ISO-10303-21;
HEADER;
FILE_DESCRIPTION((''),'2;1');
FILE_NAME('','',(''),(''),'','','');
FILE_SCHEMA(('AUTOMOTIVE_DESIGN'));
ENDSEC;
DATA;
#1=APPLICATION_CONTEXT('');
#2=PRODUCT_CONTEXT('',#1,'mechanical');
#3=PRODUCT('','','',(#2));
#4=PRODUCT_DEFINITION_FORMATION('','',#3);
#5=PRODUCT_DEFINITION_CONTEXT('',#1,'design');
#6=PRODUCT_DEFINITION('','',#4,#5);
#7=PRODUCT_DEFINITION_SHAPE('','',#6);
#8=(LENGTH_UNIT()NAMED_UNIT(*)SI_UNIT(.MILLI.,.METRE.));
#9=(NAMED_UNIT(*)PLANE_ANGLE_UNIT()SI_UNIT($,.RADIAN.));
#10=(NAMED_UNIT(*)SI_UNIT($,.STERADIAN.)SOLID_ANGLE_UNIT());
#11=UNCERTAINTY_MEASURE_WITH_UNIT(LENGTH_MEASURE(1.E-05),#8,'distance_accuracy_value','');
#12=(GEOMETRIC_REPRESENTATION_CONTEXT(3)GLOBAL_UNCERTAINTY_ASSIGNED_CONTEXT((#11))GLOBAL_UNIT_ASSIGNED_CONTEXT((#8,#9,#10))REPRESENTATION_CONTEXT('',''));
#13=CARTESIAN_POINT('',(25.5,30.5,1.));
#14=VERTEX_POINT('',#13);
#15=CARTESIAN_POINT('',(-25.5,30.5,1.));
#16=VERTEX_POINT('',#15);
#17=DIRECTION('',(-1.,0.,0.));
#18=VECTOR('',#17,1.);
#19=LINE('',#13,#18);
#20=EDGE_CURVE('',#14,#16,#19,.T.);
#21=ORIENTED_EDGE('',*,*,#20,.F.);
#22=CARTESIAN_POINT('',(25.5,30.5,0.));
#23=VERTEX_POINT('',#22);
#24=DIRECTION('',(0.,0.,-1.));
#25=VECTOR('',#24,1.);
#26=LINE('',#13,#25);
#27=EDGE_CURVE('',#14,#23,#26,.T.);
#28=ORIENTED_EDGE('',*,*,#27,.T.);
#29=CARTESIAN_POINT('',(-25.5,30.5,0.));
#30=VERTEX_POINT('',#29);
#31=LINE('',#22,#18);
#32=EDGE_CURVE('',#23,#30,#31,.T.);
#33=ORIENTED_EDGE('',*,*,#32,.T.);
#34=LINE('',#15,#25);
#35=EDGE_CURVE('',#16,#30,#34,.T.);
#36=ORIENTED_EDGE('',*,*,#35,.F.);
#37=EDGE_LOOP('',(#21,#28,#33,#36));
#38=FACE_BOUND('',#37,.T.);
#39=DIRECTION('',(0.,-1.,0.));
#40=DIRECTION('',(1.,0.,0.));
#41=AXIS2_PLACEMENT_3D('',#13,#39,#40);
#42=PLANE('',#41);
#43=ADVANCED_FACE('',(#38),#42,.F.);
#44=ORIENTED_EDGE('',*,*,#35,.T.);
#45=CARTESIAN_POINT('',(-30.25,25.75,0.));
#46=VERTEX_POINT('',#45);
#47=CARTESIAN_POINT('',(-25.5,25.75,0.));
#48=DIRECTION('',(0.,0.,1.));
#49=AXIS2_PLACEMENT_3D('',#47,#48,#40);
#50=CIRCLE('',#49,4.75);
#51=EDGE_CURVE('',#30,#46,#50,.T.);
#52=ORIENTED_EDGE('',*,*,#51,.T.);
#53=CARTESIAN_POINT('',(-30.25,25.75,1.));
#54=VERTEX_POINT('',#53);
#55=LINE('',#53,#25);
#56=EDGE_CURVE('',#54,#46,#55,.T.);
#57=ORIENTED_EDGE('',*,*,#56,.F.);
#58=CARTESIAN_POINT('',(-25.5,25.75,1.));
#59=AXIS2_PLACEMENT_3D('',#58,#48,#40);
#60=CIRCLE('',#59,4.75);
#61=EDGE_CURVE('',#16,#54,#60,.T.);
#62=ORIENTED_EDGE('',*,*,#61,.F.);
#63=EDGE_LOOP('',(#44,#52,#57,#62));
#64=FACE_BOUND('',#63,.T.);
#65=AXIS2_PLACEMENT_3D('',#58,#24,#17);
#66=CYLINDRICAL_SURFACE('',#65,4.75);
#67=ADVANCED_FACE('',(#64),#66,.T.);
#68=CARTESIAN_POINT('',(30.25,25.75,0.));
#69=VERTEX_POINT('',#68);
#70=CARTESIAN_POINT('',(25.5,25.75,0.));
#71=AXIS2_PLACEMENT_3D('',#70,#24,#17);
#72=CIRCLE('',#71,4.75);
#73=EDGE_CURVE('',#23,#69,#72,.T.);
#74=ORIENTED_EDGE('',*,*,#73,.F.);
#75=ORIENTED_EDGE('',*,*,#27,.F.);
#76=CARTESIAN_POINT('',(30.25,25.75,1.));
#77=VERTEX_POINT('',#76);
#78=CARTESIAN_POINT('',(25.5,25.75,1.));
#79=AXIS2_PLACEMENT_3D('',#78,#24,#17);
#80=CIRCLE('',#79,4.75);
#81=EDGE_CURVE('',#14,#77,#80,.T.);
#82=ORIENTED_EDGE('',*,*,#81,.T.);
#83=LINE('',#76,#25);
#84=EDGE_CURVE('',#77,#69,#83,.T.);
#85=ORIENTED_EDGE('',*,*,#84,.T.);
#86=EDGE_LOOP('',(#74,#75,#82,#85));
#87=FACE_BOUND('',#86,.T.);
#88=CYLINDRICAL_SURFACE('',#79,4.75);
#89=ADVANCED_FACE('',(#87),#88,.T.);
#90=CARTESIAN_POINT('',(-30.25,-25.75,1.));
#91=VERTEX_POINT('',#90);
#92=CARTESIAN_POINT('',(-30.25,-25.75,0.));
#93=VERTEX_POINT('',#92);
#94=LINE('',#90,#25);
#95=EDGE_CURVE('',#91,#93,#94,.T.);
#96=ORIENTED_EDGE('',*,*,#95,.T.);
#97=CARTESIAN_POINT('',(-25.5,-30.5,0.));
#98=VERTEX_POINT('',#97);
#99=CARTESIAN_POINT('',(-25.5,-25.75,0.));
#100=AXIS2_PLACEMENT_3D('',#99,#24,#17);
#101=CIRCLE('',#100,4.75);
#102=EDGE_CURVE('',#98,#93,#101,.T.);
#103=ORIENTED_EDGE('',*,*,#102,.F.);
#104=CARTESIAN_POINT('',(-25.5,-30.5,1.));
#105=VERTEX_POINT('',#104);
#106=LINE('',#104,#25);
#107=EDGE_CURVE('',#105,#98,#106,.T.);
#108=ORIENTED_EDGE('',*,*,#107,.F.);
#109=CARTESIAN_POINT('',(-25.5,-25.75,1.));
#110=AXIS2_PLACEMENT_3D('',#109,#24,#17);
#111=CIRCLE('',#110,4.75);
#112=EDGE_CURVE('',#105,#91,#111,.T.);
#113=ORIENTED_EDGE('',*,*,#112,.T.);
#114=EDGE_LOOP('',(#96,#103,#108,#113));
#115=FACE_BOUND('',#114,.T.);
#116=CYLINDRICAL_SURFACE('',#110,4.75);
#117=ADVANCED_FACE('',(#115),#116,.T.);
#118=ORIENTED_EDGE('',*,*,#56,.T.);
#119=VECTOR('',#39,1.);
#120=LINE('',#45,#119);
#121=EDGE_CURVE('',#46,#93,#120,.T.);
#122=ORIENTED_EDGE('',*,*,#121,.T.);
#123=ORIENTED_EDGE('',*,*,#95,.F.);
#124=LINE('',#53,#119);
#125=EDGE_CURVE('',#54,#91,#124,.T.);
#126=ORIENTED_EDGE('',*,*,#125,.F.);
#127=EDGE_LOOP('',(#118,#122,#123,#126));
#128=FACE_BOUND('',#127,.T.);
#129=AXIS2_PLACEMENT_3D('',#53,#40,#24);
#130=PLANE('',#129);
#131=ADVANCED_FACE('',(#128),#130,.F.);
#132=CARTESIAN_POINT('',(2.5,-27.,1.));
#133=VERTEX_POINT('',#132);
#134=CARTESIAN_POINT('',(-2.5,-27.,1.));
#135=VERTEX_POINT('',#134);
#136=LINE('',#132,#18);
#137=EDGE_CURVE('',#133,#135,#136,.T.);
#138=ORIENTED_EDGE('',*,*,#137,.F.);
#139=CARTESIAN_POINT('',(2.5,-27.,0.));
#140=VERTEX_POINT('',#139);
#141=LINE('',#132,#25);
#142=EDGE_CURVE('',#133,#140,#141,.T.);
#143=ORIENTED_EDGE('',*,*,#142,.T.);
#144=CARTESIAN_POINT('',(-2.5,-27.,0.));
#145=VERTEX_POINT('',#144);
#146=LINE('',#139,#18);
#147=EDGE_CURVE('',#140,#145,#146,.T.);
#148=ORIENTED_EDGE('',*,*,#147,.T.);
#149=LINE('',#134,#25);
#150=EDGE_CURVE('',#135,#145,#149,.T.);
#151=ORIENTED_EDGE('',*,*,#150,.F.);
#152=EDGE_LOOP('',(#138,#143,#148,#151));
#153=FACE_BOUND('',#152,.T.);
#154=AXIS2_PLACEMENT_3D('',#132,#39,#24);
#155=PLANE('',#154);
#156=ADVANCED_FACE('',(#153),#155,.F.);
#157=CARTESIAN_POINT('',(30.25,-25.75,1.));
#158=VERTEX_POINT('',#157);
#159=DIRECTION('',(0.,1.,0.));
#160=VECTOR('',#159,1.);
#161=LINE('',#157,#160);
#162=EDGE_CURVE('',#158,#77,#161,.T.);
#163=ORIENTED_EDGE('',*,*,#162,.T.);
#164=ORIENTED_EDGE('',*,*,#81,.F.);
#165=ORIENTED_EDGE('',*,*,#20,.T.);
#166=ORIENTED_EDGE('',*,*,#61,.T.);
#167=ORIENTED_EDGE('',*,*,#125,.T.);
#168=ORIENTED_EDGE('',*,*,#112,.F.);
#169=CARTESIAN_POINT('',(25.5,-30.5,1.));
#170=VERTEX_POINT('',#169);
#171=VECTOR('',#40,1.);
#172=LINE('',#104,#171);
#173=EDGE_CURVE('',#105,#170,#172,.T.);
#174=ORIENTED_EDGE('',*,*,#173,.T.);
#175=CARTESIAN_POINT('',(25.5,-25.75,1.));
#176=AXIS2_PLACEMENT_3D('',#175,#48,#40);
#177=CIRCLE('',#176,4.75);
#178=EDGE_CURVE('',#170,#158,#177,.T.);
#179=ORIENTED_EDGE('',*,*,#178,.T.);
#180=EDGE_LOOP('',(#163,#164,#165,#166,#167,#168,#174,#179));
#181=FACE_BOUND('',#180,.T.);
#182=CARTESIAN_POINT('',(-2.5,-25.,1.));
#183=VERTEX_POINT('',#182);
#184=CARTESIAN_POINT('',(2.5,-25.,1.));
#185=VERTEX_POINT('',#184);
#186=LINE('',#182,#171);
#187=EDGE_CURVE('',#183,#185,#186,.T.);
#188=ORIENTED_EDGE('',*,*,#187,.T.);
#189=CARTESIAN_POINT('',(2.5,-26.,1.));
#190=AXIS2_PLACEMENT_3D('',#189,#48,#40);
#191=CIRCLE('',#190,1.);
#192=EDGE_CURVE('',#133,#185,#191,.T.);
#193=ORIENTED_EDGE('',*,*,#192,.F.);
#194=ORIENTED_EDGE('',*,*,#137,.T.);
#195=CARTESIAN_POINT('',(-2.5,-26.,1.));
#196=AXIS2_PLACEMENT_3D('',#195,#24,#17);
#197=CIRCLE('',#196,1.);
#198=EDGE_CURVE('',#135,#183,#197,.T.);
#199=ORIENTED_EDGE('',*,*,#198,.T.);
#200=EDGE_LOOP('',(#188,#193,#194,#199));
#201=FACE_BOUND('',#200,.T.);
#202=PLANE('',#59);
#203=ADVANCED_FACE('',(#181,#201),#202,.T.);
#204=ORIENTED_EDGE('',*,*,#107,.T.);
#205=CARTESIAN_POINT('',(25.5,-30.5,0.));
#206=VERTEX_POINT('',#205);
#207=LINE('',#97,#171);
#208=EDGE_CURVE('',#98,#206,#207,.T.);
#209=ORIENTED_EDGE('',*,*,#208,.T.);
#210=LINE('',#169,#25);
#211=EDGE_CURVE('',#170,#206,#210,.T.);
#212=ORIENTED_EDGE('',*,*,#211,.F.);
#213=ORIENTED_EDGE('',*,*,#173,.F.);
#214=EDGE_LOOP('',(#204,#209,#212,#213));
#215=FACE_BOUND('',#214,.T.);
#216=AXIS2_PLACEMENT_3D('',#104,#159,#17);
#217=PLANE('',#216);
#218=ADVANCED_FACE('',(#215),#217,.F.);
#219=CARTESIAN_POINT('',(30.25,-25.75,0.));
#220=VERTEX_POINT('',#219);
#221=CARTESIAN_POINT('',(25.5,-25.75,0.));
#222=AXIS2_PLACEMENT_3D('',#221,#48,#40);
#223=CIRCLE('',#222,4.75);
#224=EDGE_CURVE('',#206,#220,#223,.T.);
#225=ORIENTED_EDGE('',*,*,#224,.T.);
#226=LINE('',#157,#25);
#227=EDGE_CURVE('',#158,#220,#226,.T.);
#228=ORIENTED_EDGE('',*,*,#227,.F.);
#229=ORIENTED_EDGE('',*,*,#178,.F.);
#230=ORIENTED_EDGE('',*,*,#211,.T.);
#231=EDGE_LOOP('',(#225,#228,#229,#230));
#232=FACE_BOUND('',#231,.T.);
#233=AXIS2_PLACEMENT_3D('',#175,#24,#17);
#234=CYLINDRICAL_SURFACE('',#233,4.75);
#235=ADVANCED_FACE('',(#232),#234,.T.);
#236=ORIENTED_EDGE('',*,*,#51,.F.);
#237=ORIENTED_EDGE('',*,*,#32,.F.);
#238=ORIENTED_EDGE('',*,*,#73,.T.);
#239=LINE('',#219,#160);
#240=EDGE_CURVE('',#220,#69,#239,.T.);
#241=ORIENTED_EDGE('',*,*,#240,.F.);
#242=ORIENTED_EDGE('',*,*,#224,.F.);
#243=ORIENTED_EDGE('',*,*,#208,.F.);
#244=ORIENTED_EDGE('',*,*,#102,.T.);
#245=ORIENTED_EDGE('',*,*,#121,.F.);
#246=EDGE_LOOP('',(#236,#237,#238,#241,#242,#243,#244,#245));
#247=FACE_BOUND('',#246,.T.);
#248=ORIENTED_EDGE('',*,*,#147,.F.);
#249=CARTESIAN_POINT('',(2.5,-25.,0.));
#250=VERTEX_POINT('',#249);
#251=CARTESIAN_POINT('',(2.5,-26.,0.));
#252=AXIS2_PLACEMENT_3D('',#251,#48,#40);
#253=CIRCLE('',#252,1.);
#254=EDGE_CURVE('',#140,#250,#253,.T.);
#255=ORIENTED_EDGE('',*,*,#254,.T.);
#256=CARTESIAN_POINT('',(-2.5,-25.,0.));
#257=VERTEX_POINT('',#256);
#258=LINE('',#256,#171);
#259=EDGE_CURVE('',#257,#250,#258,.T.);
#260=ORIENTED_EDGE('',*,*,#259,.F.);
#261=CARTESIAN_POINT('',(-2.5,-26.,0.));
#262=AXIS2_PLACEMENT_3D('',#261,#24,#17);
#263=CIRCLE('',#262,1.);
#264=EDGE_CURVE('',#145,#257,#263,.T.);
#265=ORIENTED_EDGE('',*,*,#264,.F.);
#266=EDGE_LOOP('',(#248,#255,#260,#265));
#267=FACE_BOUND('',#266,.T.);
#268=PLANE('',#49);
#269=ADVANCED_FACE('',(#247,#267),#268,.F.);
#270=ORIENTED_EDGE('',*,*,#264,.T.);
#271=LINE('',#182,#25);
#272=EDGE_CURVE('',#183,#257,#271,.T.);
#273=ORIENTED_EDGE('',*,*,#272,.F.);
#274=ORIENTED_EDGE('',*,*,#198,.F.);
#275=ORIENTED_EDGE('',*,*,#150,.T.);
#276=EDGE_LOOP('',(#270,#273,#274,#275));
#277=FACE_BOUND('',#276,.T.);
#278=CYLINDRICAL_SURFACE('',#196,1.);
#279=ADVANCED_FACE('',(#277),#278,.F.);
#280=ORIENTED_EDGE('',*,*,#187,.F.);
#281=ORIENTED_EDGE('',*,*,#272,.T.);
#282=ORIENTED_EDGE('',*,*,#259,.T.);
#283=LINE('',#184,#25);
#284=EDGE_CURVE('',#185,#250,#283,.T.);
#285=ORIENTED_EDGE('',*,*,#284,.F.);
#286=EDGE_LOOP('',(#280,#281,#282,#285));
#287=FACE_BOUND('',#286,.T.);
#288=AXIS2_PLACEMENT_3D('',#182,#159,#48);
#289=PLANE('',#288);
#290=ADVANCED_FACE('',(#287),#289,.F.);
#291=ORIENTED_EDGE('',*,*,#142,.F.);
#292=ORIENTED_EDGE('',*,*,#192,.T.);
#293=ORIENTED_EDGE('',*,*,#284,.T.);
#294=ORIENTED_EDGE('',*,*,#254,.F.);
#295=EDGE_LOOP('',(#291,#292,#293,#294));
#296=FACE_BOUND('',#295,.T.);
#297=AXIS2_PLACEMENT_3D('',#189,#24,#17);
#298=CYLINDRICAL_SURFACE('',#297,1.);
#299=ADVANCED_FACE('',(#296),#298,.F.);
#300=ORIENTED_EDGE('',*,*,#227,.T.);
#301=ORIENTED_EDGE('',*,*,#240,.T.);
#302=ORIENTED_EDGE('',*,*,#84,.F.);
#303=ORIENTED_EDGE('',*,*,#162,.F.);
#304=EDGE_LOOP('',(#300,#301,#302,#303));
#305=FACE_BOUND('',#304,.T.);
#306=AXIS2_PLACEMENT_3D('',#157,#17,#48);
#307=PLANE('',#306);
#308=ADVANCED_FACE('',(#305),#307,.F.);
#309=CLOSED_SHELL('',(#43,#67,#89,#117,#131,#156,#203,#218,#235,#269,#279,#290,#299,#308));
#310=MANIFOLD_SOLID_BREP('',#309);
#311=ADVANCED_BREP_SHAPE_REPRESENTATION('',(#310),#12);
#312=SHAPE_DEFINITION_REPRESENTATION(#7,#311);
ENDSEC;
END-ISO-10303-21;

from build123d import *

# Parameters (mm, degrees)
EXTRUDE_3_DEPTH = 1


with BuildPart() as part:
    # 草图1 → 凸台-拉伸3 (new body)
    with BuildSketch(Plane.XY):
        with BuildLine():
            Line((-30.25, 25.75), (-30.25, -25.75))
            ThreePointArc((-30.25, -25.75), (-28.858757211, -29.108757211), (-25.5, -30.5))
            Line((-25.5, -30.5), (25.5, -30.5))
            ThreePointArc((25.5, -30.5), (28.858757211, -29.108757211), (30.25, -25.75))
            Line((30.25, -25.75), (30.25, 25.75))
            ThreePointArc((30.25, 25.75), (28.858757211, 29.108757211), (25.5, 30.5))
            Line((25.5, 30.5), (-25.5, 30.5))
            ThreePointArc((-25.5, 30.5), (-28.858757211, 29.108757211), (-30.25, 25.75))
        make_face()
        with BuildLine():
            Line((-2.5, -25), (2.5, -25))
            ThreePointArc((2.5, -25), (3.5, -26), (2.5, -27))
            Line((2.5, -27), (-2.5, -27))
            ThreePointArc((-2.5, -27), (-3.5, -26), (-2.5, -25))
        make_face(mode=Mode.SUBTRACT)
    extrude(amount=EXTRUDE_3_DEPTH)


solid = part.part
